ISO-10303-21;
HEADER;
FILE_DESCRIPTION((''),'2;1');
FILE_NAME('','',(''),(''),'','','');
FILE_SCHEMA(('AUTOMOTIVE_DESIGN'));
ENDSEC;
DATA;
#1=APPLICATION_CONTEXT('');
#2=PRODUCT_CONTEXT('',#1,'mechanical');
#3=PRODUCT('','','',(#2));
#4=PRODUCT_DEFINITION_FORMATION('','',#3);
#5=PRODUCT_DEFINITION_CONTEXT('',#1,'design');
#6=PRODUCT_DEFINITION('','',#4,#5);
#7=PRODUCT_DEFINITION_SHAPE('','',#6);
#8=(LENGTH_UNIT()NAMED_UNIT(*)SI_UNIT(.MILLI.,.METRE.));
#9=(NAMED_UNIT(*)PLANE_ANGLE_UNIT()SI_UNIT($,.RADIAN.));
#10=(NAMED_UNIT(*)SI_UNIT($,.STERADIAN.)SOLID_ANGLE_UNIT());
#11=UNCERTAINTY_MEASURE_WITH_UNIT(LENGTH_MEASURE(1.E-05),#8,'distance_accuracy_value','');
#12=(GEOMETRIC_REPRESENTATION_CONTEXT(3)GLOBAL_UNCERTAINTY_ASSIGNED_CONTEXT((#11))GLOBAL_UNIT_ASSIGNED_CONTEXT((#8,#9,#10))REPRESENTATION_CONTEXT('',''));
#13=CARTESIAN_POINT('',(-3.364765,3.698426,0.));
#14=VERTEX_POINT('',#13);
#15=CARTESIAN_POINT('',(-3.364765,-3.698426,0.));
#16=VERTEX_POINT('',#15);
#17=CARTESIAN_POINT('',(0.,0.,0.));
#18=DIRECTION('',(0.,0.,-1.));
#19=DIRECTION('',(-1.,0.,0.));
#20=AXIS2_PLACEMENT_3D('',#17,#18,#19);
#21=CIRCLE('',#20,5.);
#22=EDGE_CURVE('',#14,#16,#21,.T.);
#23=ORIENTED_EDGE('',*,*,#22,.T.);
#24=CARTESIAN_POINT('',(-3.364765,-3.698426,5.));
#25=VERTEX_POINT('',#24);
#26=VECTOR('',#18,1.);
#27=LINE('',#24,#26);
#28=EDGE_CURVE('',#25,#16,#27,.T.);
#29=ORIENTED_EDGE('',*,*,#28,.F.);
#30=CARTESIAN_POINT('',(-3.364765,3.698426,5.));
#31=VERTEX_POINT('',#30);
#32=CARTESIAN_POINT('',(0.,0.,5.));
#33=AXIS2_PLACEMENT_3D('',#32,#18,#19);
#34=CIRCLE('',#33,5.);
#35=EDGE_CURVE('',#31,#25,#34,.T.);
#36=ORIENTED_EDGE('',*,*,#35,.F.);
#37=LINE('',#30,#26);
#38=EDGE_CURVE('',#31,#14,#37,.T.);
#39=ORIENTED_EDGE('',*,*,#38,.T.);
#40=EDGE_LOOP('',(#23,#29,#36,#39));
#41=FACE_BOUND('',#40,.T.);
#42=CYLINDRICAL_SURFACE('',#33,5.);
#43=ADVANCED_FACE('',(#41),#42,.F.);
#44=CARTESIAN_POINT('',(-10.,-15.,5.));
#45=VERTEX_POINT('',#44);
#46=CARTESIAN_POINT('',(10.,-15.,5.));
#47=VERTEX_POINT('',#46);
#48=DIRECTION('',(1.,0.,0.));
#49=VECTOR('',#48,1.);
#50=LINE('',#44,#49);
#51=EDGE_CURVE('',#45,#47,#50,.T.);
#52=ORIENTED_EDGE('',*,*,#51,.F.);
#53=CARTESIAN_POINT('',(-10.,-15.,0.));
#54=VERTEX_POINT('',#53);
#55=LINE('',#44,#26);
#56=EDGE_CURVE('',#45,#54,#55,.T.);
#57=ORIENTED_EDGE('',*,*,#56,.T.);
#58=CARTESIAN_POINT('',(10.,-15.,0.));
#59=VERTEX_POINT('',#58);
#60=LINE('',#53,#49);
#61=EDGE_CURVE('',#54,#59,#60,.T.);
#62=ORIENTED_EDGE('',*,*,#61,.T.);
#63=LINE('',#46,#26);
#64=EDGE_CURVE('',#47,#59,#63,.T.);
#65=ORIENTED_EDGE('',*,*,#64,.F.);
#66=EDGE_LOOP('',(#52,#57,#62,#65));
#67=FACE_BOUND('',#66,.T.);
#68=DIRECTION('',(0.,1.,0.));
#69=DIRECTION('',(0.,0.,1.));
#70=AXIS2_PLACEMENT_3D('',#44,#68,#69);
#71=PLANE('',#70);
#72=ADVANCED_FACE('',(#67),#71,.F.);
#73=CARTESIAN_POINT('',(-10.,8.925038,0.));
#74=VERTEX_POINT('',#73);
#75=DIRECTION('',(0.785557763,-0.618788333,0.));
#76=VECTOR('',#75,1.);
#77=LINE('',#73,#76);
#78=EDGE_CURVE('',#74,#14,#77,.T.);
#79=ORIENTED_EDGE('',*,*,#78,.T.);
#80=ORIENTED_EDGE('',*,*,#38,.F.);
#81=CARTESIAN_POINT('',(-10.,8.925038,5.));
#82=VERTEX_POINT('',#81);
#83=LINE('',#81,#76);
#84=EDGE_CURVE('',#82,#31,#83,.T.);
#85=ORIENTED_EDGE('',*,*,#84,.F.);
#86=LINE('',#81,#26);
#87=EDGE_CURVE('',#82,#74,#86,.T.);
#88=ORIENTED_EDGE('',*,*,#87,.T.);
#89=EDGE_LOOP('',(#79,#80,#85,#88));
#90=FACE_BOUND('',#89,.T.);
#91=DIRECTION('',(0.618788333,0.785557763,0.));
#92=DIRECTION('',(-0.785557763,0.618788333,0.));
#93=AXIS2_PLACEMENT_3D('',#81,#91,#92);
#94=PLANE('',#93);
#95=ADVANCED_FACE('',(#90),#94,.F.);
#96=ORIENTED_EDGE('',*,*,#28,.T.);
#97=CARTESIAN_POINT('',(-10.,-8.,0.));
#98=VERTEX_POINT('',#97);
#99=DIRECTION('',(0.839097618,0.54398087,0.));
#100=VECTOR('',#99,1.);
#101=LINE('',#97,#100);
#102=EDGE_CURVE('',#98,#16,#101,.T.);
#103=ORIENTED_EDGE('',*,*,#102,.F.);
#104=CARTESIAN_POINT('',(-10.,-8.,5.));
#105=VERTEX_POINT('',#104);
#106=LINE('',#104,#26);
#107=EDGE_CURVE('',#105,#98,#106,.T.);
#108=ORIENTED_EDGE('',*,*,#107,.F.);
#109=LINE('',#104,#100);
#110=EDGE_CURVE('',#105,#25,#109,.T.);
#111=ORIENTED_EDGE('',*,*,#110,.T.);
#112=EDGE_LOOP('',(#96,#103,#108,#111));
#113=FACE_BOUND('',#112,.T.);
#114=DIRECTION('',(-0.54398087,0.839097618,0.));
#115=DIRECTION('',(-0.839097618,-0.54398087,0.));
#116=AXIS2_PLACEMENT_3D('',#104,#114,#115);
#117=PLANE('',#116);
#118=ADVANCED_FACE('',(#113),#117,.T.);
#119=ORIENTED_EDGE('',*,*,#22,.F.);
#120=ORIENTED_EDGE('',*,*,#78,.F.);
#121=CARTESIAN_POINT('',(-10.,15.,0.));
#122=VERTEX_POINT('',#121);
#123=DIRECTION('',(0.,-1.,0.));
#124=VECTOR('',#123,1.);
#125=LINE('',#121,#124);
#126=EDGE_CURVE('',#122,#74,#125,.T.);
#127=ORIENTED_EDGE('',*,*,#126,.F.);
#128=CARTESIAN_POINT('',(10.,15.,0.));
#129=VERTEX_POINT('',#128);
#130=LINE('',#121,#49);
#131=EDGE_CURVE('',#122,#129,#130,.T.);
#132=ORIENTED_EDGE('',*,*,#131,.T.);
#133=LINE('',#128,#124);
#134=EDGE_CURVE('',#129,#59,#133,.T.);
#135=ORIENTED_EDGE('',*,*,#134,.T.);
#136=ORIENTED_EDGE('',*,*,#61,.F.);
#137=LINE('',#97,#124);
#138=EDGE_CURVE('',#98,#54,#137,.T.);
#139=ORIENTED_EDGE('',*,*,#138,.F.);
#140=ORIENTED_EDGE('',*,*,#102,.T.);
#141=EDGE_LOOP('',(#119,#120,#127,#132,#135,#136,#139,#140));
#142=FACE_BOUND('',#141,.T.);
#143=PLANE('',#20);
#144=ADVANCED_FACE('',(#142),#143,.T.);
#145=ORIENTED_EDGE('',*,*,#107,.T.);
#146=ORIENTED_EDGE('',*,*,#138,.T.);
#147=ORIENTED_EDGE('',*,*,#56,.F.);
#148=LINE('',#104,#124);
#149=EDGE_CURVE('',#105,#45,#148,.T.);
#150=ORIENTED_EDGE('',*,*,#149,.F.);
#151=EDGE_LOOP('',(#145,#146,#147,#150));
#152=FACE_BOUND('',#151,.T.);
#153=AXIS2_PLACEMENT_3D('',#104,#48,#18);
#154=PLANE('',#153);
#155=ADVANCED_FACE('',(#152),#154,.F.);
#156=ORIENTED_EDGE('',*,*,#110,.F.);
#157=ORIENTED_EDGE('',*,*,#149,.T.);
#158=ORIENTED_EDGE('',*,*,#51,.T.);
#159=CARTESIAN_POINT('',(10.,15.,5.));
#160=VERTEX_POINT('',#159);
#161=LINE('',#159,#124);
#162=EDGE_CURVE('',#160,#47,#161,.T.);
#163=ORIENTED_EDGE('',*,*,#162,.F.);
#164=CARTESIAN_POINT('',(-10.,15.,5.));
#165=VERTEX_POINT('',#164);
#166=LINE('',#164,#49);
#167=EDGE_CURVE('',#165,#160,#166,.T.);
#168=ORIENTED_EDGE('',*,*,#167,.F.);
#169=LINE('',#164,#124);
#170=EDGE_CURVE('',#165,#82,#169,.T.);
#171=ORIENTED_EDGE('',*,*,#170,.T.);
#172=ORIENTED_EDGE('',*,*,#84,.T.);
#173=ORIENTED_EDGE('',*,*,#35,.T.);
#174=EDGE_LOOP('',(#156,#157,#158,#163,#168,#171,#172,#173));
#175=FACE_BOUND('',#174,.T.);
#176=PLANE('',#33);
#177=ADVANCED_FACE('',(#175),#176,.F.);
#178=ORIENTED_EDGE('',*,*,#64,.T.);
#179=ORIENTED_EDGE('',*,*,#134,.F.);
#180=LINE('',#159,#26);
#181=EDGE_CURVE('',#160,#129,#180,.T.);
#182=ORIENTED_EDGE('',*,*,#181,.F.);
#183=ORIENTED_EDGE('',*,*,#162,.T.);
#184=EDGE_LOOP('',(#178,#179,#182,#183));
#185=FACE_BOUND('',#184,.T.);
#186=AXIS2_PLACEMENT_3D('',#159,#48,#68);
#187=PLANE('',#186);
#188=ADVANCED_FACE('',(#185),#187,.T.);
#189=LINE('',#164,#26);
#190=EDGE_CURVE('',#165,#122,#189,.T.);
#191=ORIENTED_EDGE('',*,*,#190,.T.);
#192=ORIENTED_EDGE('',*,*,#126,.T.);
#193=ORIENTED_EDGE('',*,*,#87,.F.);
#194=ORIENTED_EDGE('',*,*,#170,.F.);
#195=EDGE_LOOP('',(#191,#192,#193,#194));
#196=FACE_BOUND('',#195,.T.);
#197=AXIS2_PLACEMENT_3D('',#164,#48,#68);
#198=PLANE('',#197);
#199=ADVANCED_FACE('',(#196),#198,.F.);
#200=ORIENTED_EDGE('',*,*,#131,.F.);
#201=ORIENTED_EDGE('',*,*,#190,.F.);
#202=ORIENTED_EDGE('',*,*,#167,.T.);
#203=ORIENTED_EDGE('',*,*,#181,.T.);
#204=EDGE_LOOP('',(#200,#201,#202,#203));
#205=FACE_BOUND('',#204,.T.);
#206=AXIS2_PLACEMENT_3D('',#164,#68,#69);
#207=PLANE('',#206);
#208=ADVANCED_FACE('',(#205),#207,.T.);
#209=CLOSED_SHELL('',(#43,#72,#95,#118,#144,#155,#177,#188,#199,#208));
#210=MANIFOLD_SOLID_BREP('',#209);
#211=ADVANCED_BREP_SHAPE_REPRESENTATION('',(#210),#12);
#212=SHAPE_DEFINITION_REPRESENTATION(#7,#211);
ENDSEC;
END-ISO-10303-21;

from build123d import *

# Parameters (mm, degrees)
BOSS_EXTRU_1_DEPTH = 5


with BuildPart() as part:
    # Esquisse1 → Boss.-Extru.1 (new body)
    with BuildSketch(Plane.XY):
        with BuildLine():
            Line((-10, 15), (-10, 8.925037924))
            Line((-10, 8.925037924), (-3.364765454, 3.698425806))
            ThreePointArc((-3.364765454, 3.698425806), (5, 0), (-3.364765454, -3.698425806))
            Line((-3.364765454, -3.698425806), (-10, -8))
            Line((-10, -8), (-10, -15))
            Line((-10, -15), (10, -15))
            Line((10, -15), (10, 15))
            Line((10, 15), (-10, 15))
        make_face()
    extrude(amount=BOSS_EXTRU_1_DEPTH)


solid = part.part
